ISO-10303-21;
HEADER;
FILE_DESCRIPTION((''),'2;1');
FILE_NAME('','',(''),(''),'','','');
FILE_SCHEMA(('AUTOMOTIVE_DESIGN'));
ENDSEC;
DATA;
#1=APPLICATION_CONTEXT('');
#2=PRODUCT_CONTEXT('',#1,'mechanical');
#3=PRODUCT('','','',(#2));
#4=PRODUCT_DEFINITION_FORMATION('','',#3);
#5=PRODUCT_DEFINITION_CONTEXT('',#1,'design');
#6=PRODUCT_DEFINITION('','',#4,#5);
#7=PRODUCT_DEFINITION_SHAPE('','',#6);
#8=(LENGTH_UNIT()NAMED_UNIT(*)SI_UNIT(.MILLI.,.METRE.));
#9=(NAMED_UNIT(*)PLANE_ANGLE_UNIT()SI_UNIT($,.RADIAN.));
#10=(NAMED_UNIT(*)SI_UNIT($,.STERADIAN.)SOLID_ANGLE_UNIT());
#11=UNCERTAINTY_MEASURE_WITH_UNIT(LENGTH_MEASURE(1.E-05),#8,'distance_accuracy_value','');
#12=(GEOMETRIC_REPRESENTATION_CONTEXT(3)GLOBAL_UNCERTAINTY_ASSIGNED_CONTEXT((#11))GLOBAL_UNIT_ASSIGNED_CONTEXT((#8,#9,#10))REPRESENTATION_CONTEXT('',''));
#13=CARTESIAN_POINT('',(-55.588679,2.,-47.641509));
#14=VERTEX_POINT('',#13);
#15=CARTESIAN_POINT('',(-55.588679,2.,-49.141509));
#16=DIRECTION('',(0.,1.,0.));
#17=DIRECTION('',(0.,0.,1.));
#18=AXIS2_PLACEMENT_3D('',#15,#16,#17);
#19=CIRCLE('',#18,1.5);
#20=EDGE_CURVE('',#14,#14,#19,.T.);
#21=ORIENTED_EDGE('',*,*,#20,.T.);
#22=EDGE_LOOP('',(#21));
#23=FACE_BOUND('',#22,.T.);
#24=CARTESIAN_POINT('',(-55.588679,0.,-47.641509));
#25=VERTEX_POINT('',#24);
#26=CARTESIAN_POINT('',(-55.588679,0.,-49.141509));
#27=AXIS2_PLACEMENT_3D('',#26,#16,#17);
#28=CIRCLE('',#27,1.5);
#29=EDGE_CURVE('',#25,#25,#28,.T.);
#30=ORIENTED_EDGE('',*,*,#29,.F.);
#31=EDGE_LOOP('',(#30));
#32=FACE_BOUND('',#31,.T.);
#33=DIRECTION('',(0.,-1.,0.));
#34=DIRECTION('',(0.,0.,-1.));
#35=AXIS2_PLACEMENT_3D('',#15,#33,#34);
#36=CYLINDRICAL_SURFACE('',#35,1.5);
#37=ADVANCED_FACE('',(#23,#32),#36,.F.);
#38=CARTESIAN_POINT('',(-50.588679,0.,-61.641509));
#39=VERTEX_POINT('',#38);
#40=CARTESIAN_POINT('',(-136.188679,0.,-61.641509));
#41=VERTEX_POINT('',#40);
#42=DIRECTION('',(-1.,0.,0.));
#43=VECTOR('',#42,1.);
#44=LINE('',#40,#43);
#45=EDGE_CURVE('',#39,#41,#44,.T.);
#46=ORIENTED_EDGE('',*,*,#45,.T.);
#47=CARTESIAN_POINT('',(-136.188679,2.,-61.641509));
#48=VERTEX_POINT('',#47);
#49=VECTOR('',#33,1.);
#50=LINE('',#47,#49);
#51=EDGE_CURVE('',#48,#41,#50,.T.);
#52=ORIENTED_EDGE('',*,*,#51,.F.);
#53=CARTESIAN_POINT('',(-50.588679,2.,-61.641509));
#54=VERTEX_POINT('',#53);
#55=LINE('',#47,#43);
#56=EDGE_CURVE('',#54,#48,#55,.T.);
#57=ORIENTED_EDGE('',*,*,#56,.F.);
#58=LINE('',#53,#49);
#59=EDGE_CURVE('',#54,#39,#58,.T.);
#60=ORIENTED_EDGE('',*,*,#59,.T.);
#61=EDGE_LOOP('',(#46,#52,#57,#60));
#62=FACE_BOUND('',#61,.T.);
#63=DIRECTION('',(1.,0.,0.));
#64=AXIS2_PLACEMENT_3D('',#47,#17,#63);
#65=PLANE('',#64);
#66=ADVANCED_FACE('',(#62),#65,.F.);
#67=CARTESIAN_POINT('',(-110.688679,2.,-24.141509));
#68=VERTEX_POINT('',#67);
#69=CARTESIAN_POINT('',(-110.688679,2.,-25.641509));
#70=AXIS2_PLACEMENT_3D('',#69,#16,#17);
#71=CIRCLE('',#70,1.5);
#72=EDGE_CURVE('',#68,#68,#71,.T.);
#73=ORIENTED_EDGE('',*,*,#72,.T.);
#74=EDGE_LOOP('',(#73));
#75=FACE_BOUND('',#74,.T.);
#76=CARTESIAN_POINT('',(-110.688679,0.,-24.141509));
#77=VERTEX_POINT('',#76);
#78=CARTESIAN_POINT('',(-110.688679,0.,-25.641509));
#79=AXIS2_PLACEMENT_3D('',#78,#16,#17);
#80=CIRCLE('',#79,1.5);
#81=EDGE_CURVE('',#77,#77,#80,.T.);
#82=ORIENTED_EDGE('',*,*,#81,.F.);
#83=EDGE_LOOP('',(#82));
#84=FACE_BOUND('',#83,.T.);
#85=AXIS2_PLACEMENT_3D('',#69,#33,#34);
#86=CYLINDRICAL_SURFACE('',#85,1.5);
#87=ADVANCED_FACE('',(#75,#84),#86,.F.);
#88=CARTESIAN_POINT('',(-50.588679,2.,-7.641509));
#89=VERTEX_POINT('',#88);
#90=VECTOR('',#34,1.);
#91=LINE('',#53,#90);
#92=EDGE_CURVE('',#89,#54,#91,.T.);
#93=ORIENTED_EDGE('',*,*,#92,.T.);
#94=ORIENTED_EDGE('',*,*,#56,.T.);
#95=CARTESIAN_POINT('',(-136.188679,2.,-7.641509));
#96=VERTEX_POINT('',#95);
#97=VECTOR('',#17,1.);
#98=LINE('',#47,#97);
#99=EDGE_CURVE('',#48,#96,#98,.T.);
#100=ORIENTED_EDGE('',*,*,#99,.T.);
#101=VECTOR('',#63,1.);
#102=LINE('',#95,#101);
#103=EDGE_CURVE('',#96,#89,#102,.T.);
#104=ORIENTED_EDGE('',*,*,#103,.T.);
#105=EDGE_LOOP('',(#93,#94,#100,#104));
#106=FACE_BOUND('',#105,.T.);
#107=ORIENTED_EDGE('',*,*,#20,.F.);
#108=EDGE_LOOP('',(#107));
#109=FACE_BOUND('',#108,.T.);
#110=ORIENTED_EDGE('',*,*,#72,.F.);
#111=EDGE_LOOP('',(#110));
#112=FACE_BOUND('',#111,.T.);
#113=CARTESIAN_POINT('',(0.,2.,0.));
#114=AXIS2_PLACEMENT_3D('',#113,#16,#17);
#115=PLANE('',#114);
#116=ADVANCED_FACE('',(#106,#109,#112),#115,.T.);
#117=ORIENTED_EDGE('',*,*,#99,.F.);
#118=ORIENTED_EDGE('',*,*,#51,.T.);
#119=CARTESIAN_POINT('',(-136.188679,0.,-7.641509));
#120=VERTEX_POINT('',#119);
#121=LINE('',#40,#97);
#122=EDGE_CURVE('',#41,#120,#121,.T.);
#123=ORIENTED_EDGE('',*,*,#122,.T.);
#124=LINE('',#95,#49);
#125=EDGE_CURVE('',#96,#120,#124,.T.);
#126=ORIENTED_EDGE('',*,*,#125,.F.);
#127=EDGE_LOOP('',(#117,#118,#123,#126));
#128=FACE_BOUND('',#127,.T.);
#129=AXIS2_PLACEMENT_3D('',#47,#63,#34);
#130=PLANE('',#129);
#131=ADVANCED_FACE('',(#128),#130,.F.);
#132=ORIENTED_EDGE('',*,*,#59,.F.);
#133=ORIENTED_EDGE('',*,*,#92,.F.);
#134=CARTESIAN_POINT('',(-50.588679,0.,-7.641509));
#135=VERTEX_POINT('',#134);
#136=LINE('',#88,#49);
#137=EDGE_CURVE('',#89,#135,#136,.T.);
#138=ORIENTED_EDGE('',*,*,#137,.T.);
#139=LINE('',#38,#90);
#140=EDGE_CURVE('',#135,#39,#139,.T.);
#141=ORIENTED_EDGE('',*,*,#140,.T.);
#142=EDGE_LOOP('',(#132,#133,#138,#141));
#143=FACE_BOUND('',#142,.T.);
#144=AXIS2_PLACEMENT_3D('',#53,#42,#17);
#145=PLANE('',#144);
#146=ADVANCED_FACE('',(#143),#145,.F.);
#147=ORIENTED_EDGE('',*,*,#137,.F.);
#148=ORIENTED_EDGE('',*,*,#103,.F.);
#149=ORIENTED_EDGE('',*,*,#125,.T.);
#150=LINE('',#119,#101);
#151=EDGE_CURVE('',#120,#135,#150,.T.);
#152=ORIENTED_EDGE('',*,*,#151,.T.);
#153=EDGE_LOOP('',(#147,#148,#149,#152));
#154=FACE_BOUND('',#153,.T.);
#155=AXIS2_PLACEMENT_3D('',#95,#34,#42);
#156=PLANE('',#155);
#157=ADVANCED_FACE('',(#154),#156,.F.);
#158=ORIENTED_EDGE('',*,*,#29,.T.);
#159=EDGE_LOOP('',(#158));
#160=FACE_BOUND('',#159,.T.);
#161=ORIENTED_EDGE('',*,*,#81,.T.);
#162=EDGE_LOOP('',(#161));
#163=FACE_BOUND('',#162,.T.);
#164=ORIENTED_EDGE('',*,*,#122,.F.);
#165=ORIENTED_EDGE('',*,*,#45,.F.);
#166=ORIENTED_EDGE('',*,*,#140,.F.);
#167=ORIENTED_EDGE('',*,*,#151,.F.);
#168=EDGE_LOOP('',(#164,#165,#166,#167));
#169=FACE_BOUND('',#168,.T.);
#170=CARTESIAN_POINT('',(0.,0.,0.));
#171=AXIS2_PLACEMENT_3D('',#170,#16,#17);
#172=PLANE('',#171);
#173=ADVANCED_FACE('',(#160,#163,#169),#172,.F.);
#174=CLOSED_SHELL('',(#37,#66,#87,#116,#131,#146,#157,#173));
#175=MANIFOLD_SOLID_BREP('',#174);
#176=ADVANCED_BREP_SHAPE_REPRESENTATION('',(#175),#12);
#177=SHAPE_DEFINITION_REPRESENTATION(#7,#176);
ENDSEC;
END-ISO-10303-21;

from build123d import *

# Parameters (mm, degrees)
SKETCH1_W           = 85.6
SKETCH1_H           = 54
SKETCH1_R           = 1.5
BOSS_EXTRUDE1_DEPTH = 2


with BuildPart() as part:
    # Sketch1 → Boss-Extrude1 (new body)
    with BuildSketch(Plane(origin=(0, 0, 0), x_dir=(1, 0, 0), z_dir=(0, 1, 0))):
        with Locations((-93.388679245, 34.641509434)):
            Rectangle(SKETCH1_W, SKETCH1_H)
        with Locations(Location((-110.688679245, 25.641509434, 0), (0, 0, 270))):
            Circle(SKETCH1_R, mode=Mode.SUBTRACT)
        with Locations(Location((-55.588679245, 49.141509434, 0), (0, 0, 270))):
            Circle(SKETCH1_R, mode=Mode.SUBTRACT)
    extrude(amount=BOSS_EXTRUDE1_DEPTH)


solid = part.part
